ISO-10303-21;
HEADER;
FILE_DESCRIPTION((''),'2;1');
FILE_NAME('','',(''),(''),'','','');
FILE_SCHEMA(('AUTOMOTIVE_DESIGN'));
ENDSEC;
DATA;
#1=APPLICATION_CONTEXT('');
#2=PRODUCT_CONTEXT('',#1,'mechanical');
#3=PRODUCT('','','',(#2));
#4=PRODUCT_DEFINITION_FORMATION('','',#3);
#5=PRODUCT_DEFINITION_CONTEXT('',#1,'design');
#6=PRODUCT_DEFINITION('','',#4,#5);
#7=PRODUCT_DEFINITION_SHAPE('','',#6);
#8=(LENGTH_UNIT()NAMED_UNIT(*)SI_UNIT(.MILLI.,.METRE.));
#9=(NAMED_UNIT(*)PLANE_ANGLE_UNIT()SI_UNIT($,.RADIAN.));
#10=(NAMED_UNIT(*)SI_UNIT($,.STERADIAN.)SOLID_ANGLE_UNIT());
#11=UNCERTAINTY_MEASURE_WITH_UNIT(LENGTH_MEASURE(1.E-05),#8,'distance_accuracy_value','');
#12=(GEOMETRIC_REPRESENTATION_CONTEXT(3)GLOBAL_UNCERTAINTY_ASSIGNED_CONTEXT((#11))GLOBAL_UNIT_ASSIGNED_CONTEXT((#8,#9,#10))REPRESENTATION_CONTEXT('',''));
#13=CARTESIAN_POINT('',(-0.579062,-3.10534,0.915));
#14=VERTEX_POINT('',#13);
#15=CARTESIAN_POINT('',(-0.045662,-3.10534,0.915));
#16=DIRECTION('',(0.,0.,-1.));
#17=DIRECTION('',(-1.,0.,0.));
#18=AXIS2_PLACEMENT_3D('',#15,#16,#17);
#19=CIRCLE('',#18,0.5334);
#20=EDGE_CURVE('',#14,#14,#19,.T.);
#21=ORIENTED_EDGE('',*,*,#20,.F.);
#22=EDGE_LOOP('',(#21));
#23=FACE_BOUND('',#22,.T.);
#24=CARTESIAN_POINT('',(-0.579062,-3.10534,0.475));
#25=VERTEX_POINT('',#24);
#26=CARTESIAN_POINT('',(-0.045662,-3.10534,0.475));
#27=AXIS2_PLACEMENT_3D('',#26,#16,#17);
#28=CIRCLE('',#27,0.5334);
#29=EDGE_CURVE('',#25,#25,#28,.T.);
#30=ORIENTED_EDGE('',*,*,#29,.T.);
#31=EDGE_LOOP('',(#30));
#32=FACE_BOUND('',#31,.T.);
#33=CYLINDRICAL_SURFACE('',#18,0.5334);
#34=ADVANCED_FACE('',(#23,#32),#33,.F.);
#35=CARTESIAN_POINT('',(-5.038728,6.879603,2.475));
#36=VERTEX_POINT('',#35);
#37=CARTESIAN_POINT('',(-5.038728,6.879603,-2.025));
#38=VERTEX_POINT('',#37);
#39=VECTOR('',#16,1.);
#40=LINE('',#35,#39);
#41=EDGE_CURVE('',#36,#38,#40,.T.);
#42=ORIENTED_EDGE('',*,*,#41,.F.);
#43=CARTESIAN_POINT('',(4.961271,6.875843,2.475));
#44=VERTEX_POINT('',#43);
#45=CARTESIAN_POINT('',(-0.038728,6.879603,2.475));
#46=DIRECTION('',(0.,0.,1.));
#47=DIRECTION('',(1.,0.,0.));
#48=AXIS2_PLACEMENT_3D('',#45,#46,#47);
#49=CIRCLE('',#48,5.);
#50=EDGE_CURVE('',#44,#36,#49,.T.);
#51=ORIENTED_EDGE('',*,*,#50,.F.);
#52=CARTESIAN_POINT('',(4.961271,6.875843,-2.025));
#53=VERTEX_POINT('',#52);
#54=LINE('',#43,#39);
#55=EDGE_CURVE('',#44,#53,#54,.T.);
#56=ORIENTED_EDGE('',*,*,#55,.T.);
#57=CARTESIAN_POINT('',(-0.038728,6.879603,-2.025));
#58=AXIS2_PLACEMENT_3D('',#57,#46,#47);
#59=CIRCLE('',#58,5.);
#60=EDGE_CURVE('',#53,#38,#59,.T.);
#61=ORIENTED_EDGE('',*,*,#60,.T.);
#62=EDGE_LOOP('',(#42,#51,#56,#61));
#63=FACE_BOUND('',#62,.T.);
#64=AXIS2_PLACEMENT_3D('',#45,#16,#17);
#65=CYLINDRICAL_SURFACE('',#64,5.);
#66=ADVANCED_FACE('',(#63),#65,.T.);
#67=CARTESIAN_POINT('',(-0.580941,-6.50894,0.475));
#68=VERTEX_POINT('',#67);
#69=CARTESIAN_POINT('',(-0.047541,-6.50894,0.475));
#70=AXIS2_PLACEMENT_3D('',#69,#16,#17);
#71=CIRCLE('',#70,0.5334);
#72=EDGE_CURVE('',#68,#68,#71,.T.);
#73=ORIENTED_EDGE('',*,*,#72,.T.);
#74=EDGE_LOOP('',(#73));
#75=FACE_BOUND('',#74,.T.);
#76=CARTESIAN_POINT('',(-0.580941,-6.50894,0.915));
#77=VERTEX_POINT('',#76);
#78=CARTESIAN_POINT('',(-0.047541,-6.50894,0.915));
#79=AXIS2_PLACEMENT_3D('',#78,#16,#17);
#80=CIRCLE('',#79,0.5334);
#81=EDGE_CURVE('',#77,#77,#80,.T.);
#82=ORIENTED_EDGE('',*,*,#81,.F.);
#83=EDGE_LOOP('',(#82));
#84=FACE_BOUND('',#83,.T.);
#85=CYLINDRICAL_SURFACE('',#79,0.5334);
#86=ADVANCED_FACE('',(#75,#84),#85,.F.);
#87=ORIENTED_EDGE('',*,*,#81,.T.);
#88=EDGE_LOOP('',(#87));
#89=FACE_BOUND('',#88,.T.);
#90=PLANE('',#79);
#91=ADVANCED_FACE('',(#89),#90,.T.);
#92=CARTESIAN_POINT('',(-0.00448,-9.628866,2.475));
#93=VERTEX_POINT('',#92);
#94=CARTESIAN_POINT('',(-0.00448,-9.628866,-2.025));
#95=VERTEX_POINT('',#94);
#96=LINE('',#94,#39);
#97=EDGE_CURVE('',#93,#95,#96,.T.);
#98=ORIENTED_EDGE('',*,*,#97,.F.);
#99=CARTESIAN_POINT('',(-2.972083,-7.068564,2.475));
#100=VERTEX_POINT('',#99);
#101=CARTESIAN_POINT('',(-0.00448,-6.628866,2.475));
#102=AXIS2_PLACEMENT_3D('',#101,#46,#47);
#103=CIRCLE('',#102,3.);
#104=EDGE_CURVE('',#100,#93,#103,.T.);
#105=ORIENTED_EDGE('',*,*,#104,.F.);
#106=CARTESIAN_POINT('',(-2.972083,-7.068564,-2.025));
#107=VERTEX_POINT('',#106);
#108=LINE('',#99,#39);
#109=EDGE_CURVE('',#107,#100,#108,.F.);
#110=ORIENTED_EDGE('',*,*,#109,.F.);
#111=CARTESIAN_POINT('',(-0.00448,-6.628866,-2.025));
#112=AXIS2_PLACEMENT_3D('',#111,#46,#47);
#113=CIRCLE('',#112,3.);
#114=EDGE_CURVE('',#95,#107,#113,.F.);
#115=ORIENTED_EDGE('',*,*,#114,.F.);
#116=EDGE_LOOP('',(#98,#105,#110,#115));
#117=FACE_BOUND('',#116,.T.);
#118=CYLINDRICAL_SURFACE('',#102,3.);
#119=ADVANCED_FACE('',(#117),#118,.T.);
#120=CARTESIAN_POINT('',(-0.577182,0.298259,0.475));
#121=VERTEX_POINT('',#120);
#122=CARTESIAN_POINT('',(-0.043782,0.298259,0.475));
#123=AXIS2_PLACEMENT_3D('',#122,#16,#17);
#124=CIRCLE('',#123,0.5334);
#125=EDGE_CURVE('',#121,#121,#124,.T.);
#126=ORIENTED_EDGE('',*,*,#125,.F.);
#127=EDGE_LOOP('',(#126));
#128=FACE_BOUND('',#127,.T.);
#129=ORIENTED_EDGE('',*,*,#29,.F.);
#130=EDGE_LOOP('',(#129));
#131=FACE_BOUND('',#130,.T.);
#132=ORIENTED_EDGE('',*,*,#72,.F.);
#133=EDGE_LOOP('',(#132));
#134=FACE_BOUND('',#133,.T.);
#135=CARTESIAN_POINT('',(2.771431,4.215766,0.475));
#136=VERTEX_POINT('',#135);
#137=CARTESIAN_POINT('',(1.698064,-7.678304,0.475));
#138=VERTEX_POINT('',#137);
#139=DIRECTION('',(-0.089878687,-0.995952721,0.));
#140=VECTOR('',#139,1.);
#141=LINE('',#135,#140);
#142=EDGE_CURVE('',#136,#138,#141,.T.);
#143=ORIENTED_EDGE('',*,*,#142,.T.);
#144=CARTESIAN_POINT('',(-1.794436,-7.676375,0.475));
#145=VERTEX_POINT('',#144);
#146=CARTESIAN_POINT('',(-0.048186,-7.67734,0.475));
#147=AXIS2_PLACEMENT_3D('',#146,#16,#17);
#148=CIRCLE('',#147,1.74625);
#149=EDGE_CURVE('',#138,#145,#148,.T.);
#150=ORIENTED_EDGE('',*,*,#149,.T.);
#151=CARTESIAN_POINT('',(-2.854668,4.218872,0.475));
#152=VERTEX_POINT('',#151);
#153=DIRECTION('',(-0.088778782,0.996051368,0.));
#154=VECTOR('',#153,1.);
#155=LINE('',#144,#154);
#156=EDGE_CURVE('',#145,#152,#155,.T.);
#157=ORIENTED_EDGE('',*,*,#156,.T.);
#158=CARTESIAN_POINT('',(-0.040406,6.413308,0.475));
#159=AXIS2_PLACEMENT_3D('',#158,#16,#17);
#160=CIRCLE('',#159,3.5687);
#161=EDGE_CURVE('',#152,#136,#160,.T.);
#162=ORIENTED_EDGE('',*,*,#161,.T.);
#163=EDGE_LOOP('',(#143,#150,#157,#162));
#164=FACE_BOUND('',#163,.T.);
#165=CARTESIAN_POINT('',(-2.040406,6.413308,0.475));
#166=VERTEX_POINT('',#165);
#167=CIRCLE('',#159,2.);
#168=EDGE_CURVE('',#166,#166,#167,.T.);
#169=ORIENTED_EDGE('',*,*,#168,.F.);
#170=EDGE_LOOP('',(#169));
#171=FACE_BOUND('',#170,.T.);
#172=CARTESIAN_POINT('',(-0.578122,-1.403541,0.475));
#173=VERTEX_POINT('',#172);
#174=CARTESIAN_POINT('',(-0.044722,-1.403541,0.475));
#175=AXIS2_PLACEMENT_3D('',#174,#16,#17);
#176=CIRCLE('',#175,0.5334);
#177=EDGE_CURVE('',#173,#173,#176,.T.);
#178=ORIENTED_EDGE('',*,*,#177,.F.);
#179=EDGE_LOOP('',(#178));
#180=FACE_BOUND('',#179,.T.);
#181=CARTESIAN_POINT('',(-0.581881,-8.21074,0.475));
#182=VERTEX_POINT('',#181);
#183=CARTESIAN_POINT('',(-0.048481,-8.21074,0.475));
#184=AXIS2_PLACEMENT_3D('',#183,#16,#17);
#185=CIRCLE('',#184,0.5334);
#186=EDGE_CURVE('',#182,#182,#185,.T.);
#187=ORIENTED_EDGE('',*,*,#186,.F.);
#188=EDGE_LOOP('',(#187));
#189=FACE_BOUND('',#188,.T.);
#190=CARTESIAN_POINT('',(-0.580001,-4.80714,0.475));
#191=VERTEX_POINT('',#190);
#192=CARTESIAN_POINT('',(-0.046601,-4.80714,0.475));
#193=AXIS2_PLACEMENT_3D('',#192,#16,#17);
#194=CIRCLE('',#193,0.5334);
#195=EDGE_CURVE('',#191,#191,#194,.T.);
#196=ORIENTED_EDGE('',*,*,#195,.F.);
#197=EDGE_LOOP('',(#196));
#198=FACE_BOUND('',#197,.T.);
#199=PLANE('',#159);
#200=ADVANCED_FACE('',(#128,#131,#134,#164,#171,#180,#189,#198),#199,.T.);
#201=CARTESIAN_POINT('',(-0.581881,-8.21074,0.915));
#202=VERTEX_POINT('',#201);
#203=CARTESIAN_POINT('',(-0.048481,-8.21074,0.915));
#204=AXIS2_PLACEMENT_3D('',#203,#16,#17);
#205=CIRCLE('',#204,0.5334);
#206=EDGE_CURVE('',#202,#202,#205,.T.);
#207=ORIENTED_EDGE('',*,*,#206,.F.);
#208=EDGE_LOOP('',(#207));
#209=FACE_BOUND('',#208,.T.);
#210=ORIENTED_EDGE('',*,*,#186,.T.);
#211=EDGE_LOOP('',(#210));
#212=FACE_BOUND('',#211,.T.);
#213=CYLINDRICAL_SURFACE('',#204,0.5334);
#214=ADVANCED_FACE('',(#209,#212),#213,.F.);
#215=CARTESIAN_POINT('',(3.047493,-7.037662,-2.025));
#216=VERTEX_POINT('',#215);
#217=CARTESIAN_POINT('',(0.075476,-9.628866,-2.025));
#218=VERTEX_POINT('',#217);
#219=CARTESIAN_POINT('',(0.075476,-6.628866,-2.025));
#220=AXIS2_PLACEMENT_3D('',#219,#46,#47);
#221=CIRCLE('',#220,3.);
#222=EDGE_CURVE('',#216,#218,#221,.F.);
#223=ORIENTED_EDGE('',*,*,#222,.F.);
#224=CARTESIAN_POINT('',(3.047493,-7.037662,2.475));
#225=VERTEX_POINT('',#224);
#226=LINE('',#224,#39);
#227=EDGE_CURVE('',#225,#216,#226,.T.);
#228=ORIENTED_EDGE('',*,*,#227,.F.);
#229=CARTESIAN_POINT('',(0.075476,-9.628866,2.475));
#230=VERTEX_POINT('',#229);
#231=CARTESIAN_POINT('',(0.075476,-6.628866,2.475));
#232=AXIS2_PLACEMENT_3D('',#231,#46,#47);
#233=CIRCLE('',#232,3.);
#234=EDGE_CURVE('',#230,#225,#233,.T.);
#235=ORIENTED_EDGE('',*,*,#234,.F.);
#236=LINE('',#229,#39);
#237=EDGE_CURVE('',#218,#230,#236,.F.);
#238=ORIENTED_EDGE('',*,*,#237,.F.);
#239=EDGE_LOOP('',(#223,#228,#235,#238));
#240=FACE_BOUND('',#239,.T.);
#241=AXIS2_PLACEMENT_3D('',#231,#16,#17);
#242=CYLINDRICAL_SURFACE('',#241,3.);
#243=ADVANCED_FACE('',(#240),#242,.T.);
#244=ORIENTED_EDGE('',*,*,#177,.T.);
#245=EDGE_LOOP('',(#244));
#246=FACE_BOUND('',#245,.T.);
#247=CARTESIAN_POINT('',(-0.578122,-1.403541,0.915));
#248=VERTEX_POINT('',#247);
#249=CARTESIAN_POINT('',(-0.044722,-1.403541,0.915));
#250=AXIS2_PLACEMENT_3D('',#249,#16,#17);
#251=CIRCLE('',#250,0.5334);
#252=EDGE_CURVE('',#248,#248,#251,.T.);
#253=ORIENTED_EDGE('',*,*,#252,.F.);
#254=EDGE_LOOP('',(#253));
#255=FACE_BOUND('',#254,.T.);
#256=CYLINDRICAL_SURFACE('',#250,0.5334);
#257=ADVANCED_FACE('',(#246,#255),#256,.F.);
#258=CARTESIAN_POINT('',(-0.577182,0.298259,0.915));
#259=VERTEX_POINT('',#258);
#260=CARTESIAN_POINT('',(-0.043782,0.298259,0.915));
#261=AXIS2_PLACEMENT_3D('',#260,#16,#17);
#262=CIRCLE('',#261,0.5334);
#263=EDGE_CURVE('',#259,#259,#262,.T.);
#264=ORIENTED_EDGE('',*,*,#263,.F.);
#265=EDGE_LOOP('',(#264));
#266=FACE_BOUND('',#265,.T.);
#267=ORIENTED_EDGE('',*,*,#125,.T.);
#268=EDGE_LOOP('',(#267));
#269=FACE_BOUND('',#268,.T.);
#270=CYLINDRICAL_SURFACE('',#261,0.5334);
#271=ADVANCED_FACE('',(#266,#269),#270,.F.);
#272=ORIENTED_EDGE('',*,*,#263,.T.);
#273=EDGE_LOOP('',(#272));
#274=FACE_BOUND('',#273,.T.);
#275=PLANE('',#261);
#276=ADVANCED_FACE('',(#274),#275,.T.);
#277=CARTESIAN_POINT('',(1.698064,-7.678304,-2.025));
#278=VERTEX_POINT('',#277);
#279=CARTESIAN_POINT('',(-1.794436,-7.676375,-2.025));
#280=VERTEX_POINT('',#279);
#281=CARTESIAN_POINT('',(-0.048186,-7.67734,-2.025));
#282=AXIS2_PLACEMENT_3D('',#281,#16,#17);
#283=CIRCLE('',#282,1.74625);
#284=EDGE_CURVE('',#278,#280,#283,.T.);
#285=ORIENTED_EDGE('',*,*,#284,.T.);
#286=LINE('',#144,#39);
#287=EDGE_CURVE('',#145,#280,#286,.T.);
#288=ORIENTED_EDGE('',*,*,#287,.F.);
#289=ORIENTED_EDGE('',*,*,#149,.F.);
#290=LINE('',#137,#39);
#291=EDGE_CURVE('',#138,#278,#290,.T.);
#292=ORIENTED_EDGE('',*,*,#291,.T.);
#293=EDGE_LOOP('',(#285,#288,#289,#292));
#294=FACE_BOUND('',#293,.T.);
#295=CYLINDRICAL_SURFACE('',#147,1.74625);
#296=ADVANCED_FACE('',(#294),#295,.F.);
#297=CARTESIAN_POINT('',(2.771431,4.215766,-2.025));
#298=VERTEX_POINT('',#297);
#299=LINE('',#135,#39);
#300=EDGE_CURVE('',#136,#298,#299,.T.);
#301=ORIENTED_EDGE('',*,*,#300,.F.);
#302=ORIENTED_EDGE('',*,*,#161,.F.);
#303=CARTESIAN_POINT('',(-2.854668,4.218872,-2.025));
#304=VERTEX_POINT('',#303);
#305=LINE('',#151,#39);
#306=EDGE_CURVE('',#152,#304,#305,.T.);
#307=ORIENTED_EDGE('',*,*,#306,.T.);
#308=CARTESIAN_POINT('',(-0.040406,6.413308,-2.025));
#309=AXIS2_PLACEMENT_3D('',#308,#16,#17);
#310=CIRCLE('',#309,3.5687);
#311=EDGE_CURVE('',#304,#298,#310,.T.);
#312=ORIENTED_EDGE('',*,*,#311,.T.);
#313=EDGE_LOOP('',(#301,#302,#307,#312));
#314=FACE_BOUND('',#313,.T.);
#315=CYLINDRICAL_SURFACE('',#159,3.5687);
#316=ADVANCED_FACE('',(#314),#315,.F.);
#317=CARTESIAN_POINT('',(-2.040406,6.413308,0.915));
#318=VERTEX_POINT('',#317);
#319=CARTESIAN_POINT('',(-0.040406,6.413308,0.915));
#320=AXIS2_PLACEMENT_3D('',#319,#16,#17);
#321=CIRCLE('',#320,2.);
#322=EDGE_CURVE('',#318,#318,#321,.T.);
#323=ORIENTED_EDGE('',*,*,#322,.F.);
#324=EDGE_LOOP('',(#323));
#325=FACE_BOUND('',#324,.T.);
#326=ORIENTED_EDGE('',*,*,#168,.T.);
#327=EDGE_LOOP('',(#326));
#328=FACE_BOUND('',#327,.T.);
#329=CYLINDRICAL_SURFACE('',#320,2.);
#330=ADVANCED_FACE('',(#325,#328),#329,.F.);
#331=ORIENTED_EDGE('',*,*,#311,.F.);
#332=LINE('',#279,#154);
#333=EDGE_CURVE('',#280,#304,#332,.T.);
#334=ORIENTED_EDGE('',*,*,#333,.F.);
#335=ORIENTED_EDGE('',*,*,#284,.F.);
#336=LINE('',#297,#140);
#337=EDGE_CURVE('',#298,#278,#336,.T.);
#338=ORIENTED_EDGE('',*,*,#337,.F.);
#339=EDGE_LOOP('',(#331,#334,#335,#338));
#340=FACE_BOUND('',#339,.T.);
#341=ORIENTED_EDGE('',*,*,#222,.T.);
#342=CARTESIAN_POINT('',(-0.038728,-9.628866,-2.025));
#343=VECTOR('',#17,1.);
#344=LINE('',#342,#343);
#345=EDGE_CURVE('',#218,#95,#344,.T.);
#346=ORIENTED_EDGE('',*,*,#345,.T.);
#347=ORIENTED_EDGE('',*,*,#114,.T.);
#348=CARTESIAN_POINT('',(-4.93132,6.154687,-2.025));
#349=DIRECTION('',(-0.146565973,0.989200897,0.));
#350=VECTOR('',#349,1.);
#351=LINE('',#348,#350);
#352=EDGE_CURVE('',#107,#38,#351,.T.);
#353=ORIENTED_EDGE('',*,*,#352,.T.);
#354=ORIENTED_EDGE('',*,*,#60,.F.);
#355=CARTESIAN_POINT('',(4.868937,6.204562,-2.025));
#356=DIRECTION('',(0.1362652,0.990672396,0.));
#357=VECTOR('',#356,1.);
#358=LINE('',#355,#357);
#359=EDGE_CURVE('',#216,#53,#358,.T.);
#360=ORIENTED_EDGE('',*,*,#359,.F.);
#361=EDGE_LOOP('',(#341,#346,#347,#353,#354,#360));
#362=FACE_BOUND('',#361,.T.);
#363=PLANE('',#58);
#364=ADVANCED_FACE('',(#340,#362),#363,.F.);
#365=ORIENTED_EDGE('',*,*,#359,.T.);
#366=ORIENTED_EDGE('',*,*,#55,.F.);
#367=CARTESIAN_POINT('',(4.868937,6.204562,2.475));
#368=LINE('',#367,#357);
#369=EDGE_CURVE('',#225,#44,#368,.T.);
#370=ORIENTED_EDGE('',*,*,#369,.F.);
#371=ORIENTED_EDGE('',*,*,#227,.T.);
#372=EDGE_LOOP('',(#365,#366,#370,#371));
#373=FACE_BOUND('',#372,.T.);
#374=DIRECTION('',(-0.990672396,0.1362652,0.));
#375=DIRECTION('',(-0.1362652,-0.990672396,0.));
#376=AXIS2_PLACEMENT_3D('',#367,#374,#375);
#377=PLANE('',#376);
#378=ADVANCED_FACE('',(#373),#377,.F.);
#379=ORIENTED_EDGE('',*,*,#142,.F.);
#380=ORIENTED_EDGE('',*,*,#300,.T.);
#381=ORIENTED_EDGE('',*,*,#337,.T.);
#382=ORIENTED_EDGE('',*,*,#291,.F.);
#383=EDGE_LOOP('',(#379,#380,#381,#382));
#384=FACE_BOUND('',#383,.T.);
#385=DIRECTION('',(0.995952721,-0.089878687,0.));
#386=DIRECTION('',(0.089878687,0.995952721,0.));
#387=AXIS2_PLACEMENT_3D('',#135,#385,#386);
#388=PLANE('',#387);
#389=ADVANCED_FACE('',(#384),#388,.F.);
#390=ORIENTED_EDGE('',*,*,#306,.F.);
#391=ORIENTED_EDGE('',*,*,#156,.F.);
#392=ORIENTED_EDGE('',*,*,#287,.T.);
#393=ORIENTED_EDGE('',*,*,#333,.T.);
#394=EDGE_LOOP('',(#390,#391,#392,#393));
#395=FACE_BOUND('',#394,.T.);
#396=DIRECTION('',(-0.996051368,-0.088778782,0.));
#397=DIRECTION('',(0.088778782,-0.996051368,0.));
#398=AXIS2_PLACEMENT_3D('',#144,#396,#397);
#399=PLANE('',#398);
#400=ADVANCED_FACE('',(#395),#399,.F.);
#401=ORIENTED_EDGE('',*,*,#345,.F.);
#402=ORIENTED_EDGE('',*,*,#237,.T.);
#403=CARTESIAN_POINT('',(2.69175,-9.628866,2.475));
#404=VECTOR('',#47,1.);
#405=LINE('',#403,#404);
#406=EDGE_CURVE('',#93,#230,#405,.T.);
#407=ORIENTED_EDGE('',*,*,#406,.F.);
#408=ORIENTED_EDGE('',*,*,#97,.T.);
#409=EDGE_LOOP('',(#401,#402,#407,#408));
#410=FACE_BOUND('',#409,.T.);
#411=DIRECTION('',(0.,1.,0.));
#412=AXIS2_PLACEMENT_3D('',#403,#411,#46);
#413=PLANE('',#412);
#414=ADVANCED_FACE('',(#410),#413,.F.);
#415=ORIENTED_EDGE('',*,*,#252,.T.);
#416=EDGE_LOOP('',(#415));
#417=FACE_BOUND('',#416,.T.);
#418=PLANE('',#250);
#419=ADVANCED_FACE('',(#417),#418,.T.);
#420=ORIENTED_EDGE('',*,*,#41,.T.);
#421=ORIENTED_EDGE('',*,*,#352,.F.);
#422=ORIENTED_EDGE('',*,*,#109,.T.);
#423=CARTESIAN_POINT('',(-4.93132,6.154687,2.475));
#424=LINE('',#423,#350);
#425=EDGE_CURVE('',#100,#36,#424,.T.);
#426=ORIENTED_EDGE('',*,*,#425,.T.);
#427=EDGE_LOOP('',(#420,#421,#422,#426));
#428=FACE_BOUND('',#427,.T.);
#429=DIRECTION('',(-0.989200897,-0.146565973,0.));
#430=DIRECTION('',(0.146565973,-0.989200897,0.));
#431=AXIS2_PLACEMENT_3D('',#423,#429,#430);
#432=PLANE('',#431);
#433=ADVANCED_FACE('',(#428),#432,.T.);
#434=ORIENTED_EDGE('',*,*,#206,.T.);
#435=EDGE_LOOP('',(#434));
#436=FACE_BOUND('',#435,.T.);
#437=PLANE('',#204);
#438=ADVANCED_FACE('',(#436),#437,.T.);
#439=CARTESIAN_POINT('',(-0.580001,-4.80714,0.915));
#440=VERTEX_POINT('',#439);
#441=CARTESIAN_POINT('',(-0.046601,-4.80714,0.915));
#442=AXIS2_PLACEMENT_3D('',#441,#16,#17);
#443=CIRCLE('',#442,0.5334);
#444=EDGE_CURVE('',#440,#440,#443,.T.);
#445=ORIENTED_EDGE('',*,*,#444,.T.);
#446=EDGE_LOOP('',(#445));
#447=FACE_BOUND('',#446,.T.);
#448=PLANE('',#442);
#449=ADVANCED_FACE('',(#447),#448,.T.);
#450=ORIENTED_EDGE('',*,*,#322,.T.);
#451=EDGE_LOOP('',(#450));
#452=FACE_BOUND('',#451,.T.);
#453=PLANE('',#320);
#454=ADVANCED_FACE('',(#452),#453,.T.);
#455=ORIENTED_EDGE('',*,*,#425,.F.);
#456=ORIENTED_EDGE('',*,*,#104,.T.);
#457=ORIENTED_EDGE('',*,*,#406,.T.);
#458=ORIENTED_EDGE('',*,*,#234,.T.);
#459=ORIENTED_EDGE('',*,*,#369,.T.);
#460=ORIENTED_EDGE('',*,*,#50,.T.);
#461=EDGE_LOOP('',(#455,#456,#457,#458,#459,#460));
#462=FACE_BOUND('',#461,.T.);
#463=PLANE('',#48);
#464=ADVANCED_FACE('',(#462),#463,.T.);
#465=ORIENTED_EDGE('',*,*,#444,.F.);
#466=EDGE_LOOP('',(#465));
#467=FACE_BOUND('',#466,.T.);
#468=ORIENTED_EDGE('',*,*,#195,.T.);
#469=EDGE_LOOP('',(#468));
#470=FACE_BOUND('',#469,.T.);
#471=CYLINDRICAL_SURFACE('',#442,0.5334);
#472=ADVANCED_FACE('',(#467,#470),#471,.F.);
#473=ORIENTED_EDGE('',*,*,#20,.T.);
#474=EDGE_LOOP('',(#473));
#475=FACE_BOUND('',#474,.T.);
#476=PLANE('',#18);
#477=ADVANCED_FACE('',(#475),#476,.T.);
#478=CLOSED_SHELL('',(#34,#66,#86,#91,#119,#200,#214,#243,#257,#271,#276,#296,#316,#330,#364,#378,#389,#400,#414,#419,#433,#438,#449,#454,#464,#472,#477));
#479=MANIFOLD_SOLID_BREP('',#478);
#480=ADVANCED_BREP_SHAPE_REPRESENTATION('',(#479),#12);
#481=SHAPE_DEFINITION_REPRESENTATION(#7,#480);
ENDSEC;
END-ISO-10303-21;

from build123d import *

# Parameters (mm, degrees)
BOSS_EXTRUDE1_DEPTH = 0.45
SCALE2_SCALE        = 10
SKETCH4_R           = 0.5334
SKETCH4_R_2         = 2
CUT_EXTRUDE5_DEPTH  = 2.94
SKETCH4_3_R         = 0.5334
SKETCH4_3_R_2       = 2
CUT_EXTRUDE6_DEPTH  = 2.5
CUT_EXTRUDE7_DEPTH  = 4.5
FILLET5_R           = 3


with BuildPart() as part:
    # Sketch1 → Boss-Extrude1 (new body)
    with BuildSketch(Plane.XY):
        with BuildLine():
            Line((-0.136993219, -2.45), (0.163006781, -2.450375949))
            Line((0.163006781, -2.450375949), (0.499999859, -0.000375949))
            ThreePointArc((0.499999859, -0.000375949), (0.000187974, 0.499999965), (-0.5, 0))
            Line((-0.5, 0), (-0.136993219, -2.45))
        make_face()
    extrude(amount=BOSS_EXTRUDE1_DEPTH)


with BuildPart() as part_1:
    # Scale2: scaled about (0.004303075, -0.764400295, 0.225)
    add(part.part.scale(SCALE2_SCALE).moved(Location((-0.038727675, 6.879602655, -2.025))))

    # Sketch4 → Cut-Extrude5 (cut)
    with BuildSketch(Plane(origin=(0, 0, -2.025), x_dir=(-1, 0, 0), z_dir=(0, 0, -1))):
        with Locations((0.043782342, 0.298259193)):
            Circle(SKETCH4_R)
        with Locations((0.044722007, -1.403540547)):
            Circle(SKETCH4_R)
        with Locations((0.045661673, -3.105340288)):
            Circle(SKETCH4_R)
        with Locations((0.046601338, -4.807140028)):
            Circle(SKETCH4_R)
        with Locations((0.047541004, -6.508939769)):
            Circle(SKETCH4_R)
        with Locations((0.048480669, -8.21073951)):
            Circle(SKETCH4_R)
        with Locations((0.040405857, 6.413308261)):
            Circle(SKETCH4_R_2)
    extrude(amount=-CUT_EXTRUDE5_DEPTH, mode=Mode.SUBTRACT)

    # Sketch4<3> → Cut-Extrude6 (cut)
    with BuildSketch(Plane(origin=(0, 0, -2.025), x_dir=(-1, 0, 0), z_dir=(0, 0, -1))):
        with BuildLine():
            Line((1.794435881, -7.676375382), (2.854667965, 4.218872462))
            ThreePointArc((2.854667965, 4.218872462), (0.038435364, 9.982007717), (-2.771431177, 4.215765956))
            Line((-2.771431177, 4.215765956), (-1.698063587, -7.6783038))
            ThreePointArc((-1.698063587, -7.6783038), (0.049150356, -9.423589325), (1.794435881, -7.676375382))
        make_face()
        with Locations((0.043782342, 0.298259193)):
            Circle(SKETCH4_3_R, mode=Mode.SUBTRACT)
        with Locations((0.044722007, -1.403540547)):
            Circle(SKETCH4_3_R, mode=Mode.SUBTRACT)
        with Locations((0.045661673, -3.105340288)):
            Circle(SKETCH4_3_R, mode=Mode.SUBTRACT)
        with Locations((0.046601338, -4.807140028)):
            Circle(SKETCH4_3_R, mode=Mode.SUBTRACT)
        with Locations((0.047541004, -6.508939769)):
            Circle(SKETCH4_3_R, mode=Mode.SUBTRACT)
        with Locations((0.048480669, -8.21073951)):
            Circle(SKETCH4_3_R, mode=Mode.SUBTRACT)
        with Locations((0.040405857, 6.413308261)):
            Circle(SKETCH4_3_R_2, mode=Mode.SUBTRACT)
    extrude(amount=-CUT_EXTRUDE6_DEPTH, mode=Mode.SUBTRACT)

    # Sketch5 → Cut-Extrude7 (cut)
    with BuildSketch(Plane(origin=(0, 0, -2.025), x_dir=(-1, 0, 0), z_dir=(0, 0, -1))):
        Polygon((-2.691750397, -9.628866056), (2.593406399, -9.628866056), (1.408635162, -17.625106571), (-1.591364838, -17.628866056), align=None)
    extrude(amount=-CUT_EXTRUDE7_DEPTH, mode=Mode.SUBTRACT)

    # Fillet5
    fillet5_edges = [part_1.edges().sort_by_distance(p)[0] for p in [
        (-2.592733353, -9.628866056, 0.225),
        (2.691077951, -9.628866056, 0.225),
    ]]
    fillet(fillet5_edges, radius=FILLET5_R)


solid = part_1.part
